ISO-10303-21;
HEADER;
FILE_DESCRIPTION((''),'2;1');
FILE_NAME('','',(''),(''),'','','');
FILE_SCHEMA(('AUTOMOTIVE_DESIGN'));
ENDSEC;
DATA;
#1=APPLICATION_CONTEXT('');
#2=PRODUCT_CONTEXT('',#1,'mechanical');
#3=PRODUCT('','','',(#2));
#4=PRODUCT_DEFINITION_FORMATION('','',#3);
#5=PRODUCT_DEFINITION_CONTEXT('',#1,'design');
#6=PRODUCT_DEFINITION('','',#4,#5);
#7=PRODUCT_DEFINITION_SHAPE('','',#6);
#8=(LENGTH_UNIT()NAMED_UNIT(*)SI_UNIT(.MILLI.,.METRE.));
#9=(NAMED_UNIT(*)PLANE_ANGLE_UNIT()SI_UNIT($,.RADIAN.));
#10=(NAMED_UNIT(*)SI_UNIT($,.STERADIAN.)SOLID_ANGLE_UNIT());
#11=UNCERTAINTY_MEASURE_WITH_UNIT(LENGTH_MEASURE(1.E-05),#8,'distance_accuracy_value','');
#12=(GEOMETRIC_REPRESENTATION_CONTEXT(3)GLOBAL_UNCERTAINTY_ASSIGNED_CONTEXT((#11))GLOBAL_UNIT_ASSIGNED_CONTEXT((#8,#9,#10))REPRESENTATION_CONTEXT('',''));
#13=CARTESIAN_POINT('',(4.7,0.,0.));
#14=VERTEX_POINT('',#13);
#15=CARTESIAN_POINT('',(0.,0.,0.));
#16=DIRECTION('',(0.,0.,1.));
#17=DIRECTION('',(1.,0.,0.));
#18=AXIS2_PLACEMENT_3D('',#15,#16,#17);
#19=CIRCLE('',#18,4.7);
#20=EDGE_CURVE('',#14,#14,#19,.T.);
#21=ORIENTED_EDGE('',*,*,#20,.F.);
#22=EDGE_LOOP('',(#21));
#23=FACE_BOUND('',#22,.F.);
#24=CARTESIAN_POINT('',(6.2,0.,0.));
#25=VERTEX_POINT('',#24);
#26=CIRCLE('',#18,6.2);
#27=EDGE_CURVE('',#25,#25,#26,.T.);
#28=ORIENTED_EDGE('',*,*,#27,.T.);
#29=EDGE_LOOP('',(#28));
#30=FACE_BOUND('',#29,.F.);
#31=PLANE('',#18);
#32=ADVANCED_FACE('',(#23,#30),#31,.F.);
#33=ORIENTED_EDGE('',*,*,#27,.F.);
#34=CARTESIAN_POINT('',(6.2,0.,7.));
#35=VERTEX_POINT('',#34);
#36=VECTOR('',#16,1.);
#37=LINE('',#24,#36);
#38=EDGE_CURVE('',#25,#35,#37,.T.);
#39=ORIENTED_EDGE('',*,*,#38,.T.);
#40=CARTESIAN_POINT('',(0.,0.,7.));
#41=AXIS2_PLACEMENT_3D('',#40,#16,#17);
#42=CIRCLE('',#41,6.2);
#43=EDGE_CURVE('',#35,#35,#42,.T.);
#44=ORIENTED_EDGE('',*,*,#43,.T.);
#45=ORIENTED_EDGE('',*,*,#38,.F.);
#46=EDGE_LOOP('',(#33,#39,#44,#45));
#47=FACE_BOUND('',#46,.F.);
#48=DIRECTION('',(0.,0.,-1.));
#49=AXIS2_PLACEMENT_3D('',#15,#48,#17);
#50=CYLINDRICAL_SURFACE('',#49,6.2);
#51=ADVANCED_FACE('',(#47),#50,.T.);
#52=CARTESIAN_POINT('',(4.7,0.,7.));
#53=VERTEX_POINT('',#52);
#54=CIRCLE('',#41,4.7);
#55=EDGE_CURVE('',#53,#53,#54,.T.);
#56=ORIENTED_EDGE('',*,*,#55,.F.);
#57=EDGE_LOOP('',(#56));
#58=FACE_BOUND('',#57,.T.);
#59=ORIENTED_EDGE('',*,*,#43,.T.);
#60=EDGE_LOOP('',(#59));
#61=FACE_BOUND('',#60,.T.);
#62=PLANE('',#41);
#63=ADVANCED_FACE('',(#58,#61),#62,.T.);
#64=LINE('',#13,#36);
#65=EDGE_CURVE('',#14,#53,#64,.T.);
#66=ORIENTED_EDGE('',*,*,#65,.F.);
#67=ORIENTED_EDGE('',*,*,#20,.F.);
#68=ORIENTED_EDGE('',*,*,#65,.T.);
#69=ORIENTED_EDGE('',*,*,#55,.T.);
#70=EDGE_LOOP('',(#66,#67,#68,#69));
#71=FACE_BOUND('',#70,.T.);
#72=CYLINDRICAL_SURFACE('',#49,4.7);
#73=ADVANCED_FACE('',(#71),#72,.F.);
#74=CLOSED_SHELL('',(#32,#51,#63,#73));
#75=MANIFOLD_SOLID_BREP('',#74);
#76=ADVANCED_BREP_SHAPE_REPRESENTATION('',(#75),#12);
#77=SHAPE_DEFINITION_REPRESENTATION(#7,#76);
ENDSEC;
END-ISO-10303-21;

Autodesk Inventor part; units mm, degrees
ref_plane "YZ Plane" through (0, 0, 0) normal (1, 0, 0) x (0, 1, 0)
ref_plane "XZ Plane" through (0, 0, 0) normal (0, 1, 0) x (-1, 0, 0)
ref_plane "XY Plane" through (0, 0, 0) normal (0, 0, 1) x (1, 0, 0)
sketch "Sketch1" plane through (0, 0, 0) normal (0, 0, 1) x (1, 0, 0)
  circle A0 centre (0, 0) radius 4.7
  circle A1 centre (0, 0) radius 6.2
  dimension "d0" = 9.4
  dimension "d1" = 12.4
extrude "Extrusion1" add sketch "Sketch1" along normal blind 7
properties part number "BallBearingCenterer"
